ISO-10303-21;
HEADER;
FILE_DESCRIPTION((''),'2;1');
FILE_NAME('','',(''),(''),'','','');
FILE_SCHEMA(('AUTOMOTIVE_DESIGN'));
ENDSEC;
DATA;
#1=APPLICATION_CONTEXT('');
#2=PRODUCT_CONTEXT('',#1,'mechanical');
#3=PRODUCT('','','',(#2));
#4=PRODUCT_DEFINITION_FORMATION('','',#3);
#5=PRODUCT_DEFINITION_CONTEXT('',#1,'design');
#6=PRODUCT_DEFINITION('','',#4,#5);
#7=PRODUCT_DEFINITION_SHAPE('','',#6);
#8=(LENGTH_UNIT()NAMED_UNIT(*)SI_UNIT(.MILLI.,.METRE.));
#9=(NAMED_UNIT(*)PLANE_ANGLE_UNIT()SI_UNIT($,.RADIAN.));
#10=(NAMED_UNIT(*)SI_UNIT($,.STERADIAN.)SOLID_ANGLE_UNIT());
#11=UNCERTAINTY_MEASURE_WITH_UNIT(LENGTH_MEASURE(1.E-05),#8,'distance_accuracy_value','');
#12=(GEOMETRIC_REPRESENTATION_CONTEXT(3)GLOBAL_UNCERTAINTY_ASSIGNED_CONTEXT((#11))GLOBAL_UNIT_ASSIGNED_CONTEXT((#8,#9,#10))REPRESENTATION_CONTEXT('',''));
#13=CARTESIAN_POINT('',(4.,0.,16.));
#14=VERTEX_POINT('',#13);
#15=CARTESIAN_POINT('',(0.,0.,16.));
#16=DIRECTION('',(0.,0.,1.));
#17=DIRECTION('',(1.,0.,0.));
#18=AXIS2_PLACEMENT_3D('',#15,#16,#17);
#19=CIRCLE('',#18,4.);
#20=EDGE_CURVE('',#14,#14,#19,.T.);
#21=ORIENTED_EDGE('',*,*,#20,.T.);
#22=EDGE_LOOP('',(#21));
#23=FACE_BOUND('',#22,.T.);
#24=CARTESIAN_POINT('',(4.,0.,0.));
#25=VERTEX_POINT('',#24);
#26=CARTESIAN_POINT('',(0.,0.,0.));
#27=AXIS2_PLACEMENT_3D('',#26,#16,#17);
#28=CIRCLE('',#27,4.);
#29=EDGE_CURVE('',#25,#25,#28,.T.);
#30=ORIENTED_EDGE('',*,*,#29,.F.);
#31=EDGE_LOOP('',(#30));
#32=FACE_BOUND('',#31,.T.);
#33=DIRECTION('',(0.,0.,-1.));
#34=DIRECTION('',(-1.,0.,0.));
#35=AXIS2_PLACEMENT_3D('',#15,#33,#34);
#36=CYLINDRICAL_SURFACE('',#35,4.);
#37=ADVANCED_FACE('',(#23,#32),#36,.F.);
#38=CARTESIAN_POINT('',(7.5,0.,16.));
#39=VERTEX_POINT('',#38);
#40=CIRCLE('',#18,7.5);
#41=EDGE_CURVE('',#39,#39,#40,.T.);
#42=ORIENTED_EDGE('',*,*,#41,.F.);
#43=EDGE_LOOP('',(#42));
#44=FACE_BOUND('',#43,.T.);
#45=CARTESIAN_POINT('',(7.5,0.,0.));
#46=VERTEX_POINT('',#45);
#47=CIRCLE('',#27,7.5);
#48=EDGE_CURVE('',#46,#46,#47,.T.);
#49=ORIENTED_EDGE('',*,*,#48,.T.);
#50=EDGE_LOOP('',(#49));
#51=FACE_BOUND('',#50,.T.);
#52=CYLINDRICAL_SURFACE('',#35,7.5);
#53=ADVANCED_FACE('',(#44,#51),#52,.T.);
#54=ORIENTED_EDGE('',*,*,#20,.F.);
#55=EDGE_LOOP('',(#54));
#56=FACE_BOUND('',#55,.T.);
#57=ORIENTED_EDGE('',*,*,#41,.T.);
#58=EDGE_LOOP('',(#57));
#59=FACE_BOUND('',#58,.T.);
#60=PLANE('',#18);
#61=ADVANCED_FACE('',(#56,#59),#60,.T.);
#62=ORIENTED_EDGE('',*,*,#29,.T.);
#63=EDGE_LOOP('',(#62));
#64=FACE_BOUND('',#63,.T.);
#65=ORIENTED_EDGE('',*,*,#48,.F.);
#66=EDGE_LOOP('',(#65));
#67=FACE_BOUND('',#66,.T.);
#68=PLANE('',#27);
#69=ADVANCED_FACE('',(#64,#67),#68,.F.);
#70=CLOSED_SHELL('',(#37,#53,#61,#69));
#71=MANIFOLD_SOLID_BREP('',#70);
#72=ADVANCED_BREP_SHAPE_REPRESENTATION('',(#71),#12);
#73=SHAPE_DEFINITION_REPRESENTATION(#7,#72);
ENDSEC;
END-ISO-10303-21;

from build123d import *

# Parameters (mm, degrees)
SKETCH_1_R      = 7.5
SKETCH_1_R_2    = 4
EXTRUDE_1_DEPTH = 16


with BuildPart() as part:
    # 草图1 → 凸台-拉伸1 (new body)
    with BuildSketch(Plane.XY):
        Circle(SKETCH_1_R)
        Circle(SKETCH_1_R_2, mode=Mode.SUBTRACT)
    extrude(amount=EXTRUDE_1_DEPTH)


solid = part.part
